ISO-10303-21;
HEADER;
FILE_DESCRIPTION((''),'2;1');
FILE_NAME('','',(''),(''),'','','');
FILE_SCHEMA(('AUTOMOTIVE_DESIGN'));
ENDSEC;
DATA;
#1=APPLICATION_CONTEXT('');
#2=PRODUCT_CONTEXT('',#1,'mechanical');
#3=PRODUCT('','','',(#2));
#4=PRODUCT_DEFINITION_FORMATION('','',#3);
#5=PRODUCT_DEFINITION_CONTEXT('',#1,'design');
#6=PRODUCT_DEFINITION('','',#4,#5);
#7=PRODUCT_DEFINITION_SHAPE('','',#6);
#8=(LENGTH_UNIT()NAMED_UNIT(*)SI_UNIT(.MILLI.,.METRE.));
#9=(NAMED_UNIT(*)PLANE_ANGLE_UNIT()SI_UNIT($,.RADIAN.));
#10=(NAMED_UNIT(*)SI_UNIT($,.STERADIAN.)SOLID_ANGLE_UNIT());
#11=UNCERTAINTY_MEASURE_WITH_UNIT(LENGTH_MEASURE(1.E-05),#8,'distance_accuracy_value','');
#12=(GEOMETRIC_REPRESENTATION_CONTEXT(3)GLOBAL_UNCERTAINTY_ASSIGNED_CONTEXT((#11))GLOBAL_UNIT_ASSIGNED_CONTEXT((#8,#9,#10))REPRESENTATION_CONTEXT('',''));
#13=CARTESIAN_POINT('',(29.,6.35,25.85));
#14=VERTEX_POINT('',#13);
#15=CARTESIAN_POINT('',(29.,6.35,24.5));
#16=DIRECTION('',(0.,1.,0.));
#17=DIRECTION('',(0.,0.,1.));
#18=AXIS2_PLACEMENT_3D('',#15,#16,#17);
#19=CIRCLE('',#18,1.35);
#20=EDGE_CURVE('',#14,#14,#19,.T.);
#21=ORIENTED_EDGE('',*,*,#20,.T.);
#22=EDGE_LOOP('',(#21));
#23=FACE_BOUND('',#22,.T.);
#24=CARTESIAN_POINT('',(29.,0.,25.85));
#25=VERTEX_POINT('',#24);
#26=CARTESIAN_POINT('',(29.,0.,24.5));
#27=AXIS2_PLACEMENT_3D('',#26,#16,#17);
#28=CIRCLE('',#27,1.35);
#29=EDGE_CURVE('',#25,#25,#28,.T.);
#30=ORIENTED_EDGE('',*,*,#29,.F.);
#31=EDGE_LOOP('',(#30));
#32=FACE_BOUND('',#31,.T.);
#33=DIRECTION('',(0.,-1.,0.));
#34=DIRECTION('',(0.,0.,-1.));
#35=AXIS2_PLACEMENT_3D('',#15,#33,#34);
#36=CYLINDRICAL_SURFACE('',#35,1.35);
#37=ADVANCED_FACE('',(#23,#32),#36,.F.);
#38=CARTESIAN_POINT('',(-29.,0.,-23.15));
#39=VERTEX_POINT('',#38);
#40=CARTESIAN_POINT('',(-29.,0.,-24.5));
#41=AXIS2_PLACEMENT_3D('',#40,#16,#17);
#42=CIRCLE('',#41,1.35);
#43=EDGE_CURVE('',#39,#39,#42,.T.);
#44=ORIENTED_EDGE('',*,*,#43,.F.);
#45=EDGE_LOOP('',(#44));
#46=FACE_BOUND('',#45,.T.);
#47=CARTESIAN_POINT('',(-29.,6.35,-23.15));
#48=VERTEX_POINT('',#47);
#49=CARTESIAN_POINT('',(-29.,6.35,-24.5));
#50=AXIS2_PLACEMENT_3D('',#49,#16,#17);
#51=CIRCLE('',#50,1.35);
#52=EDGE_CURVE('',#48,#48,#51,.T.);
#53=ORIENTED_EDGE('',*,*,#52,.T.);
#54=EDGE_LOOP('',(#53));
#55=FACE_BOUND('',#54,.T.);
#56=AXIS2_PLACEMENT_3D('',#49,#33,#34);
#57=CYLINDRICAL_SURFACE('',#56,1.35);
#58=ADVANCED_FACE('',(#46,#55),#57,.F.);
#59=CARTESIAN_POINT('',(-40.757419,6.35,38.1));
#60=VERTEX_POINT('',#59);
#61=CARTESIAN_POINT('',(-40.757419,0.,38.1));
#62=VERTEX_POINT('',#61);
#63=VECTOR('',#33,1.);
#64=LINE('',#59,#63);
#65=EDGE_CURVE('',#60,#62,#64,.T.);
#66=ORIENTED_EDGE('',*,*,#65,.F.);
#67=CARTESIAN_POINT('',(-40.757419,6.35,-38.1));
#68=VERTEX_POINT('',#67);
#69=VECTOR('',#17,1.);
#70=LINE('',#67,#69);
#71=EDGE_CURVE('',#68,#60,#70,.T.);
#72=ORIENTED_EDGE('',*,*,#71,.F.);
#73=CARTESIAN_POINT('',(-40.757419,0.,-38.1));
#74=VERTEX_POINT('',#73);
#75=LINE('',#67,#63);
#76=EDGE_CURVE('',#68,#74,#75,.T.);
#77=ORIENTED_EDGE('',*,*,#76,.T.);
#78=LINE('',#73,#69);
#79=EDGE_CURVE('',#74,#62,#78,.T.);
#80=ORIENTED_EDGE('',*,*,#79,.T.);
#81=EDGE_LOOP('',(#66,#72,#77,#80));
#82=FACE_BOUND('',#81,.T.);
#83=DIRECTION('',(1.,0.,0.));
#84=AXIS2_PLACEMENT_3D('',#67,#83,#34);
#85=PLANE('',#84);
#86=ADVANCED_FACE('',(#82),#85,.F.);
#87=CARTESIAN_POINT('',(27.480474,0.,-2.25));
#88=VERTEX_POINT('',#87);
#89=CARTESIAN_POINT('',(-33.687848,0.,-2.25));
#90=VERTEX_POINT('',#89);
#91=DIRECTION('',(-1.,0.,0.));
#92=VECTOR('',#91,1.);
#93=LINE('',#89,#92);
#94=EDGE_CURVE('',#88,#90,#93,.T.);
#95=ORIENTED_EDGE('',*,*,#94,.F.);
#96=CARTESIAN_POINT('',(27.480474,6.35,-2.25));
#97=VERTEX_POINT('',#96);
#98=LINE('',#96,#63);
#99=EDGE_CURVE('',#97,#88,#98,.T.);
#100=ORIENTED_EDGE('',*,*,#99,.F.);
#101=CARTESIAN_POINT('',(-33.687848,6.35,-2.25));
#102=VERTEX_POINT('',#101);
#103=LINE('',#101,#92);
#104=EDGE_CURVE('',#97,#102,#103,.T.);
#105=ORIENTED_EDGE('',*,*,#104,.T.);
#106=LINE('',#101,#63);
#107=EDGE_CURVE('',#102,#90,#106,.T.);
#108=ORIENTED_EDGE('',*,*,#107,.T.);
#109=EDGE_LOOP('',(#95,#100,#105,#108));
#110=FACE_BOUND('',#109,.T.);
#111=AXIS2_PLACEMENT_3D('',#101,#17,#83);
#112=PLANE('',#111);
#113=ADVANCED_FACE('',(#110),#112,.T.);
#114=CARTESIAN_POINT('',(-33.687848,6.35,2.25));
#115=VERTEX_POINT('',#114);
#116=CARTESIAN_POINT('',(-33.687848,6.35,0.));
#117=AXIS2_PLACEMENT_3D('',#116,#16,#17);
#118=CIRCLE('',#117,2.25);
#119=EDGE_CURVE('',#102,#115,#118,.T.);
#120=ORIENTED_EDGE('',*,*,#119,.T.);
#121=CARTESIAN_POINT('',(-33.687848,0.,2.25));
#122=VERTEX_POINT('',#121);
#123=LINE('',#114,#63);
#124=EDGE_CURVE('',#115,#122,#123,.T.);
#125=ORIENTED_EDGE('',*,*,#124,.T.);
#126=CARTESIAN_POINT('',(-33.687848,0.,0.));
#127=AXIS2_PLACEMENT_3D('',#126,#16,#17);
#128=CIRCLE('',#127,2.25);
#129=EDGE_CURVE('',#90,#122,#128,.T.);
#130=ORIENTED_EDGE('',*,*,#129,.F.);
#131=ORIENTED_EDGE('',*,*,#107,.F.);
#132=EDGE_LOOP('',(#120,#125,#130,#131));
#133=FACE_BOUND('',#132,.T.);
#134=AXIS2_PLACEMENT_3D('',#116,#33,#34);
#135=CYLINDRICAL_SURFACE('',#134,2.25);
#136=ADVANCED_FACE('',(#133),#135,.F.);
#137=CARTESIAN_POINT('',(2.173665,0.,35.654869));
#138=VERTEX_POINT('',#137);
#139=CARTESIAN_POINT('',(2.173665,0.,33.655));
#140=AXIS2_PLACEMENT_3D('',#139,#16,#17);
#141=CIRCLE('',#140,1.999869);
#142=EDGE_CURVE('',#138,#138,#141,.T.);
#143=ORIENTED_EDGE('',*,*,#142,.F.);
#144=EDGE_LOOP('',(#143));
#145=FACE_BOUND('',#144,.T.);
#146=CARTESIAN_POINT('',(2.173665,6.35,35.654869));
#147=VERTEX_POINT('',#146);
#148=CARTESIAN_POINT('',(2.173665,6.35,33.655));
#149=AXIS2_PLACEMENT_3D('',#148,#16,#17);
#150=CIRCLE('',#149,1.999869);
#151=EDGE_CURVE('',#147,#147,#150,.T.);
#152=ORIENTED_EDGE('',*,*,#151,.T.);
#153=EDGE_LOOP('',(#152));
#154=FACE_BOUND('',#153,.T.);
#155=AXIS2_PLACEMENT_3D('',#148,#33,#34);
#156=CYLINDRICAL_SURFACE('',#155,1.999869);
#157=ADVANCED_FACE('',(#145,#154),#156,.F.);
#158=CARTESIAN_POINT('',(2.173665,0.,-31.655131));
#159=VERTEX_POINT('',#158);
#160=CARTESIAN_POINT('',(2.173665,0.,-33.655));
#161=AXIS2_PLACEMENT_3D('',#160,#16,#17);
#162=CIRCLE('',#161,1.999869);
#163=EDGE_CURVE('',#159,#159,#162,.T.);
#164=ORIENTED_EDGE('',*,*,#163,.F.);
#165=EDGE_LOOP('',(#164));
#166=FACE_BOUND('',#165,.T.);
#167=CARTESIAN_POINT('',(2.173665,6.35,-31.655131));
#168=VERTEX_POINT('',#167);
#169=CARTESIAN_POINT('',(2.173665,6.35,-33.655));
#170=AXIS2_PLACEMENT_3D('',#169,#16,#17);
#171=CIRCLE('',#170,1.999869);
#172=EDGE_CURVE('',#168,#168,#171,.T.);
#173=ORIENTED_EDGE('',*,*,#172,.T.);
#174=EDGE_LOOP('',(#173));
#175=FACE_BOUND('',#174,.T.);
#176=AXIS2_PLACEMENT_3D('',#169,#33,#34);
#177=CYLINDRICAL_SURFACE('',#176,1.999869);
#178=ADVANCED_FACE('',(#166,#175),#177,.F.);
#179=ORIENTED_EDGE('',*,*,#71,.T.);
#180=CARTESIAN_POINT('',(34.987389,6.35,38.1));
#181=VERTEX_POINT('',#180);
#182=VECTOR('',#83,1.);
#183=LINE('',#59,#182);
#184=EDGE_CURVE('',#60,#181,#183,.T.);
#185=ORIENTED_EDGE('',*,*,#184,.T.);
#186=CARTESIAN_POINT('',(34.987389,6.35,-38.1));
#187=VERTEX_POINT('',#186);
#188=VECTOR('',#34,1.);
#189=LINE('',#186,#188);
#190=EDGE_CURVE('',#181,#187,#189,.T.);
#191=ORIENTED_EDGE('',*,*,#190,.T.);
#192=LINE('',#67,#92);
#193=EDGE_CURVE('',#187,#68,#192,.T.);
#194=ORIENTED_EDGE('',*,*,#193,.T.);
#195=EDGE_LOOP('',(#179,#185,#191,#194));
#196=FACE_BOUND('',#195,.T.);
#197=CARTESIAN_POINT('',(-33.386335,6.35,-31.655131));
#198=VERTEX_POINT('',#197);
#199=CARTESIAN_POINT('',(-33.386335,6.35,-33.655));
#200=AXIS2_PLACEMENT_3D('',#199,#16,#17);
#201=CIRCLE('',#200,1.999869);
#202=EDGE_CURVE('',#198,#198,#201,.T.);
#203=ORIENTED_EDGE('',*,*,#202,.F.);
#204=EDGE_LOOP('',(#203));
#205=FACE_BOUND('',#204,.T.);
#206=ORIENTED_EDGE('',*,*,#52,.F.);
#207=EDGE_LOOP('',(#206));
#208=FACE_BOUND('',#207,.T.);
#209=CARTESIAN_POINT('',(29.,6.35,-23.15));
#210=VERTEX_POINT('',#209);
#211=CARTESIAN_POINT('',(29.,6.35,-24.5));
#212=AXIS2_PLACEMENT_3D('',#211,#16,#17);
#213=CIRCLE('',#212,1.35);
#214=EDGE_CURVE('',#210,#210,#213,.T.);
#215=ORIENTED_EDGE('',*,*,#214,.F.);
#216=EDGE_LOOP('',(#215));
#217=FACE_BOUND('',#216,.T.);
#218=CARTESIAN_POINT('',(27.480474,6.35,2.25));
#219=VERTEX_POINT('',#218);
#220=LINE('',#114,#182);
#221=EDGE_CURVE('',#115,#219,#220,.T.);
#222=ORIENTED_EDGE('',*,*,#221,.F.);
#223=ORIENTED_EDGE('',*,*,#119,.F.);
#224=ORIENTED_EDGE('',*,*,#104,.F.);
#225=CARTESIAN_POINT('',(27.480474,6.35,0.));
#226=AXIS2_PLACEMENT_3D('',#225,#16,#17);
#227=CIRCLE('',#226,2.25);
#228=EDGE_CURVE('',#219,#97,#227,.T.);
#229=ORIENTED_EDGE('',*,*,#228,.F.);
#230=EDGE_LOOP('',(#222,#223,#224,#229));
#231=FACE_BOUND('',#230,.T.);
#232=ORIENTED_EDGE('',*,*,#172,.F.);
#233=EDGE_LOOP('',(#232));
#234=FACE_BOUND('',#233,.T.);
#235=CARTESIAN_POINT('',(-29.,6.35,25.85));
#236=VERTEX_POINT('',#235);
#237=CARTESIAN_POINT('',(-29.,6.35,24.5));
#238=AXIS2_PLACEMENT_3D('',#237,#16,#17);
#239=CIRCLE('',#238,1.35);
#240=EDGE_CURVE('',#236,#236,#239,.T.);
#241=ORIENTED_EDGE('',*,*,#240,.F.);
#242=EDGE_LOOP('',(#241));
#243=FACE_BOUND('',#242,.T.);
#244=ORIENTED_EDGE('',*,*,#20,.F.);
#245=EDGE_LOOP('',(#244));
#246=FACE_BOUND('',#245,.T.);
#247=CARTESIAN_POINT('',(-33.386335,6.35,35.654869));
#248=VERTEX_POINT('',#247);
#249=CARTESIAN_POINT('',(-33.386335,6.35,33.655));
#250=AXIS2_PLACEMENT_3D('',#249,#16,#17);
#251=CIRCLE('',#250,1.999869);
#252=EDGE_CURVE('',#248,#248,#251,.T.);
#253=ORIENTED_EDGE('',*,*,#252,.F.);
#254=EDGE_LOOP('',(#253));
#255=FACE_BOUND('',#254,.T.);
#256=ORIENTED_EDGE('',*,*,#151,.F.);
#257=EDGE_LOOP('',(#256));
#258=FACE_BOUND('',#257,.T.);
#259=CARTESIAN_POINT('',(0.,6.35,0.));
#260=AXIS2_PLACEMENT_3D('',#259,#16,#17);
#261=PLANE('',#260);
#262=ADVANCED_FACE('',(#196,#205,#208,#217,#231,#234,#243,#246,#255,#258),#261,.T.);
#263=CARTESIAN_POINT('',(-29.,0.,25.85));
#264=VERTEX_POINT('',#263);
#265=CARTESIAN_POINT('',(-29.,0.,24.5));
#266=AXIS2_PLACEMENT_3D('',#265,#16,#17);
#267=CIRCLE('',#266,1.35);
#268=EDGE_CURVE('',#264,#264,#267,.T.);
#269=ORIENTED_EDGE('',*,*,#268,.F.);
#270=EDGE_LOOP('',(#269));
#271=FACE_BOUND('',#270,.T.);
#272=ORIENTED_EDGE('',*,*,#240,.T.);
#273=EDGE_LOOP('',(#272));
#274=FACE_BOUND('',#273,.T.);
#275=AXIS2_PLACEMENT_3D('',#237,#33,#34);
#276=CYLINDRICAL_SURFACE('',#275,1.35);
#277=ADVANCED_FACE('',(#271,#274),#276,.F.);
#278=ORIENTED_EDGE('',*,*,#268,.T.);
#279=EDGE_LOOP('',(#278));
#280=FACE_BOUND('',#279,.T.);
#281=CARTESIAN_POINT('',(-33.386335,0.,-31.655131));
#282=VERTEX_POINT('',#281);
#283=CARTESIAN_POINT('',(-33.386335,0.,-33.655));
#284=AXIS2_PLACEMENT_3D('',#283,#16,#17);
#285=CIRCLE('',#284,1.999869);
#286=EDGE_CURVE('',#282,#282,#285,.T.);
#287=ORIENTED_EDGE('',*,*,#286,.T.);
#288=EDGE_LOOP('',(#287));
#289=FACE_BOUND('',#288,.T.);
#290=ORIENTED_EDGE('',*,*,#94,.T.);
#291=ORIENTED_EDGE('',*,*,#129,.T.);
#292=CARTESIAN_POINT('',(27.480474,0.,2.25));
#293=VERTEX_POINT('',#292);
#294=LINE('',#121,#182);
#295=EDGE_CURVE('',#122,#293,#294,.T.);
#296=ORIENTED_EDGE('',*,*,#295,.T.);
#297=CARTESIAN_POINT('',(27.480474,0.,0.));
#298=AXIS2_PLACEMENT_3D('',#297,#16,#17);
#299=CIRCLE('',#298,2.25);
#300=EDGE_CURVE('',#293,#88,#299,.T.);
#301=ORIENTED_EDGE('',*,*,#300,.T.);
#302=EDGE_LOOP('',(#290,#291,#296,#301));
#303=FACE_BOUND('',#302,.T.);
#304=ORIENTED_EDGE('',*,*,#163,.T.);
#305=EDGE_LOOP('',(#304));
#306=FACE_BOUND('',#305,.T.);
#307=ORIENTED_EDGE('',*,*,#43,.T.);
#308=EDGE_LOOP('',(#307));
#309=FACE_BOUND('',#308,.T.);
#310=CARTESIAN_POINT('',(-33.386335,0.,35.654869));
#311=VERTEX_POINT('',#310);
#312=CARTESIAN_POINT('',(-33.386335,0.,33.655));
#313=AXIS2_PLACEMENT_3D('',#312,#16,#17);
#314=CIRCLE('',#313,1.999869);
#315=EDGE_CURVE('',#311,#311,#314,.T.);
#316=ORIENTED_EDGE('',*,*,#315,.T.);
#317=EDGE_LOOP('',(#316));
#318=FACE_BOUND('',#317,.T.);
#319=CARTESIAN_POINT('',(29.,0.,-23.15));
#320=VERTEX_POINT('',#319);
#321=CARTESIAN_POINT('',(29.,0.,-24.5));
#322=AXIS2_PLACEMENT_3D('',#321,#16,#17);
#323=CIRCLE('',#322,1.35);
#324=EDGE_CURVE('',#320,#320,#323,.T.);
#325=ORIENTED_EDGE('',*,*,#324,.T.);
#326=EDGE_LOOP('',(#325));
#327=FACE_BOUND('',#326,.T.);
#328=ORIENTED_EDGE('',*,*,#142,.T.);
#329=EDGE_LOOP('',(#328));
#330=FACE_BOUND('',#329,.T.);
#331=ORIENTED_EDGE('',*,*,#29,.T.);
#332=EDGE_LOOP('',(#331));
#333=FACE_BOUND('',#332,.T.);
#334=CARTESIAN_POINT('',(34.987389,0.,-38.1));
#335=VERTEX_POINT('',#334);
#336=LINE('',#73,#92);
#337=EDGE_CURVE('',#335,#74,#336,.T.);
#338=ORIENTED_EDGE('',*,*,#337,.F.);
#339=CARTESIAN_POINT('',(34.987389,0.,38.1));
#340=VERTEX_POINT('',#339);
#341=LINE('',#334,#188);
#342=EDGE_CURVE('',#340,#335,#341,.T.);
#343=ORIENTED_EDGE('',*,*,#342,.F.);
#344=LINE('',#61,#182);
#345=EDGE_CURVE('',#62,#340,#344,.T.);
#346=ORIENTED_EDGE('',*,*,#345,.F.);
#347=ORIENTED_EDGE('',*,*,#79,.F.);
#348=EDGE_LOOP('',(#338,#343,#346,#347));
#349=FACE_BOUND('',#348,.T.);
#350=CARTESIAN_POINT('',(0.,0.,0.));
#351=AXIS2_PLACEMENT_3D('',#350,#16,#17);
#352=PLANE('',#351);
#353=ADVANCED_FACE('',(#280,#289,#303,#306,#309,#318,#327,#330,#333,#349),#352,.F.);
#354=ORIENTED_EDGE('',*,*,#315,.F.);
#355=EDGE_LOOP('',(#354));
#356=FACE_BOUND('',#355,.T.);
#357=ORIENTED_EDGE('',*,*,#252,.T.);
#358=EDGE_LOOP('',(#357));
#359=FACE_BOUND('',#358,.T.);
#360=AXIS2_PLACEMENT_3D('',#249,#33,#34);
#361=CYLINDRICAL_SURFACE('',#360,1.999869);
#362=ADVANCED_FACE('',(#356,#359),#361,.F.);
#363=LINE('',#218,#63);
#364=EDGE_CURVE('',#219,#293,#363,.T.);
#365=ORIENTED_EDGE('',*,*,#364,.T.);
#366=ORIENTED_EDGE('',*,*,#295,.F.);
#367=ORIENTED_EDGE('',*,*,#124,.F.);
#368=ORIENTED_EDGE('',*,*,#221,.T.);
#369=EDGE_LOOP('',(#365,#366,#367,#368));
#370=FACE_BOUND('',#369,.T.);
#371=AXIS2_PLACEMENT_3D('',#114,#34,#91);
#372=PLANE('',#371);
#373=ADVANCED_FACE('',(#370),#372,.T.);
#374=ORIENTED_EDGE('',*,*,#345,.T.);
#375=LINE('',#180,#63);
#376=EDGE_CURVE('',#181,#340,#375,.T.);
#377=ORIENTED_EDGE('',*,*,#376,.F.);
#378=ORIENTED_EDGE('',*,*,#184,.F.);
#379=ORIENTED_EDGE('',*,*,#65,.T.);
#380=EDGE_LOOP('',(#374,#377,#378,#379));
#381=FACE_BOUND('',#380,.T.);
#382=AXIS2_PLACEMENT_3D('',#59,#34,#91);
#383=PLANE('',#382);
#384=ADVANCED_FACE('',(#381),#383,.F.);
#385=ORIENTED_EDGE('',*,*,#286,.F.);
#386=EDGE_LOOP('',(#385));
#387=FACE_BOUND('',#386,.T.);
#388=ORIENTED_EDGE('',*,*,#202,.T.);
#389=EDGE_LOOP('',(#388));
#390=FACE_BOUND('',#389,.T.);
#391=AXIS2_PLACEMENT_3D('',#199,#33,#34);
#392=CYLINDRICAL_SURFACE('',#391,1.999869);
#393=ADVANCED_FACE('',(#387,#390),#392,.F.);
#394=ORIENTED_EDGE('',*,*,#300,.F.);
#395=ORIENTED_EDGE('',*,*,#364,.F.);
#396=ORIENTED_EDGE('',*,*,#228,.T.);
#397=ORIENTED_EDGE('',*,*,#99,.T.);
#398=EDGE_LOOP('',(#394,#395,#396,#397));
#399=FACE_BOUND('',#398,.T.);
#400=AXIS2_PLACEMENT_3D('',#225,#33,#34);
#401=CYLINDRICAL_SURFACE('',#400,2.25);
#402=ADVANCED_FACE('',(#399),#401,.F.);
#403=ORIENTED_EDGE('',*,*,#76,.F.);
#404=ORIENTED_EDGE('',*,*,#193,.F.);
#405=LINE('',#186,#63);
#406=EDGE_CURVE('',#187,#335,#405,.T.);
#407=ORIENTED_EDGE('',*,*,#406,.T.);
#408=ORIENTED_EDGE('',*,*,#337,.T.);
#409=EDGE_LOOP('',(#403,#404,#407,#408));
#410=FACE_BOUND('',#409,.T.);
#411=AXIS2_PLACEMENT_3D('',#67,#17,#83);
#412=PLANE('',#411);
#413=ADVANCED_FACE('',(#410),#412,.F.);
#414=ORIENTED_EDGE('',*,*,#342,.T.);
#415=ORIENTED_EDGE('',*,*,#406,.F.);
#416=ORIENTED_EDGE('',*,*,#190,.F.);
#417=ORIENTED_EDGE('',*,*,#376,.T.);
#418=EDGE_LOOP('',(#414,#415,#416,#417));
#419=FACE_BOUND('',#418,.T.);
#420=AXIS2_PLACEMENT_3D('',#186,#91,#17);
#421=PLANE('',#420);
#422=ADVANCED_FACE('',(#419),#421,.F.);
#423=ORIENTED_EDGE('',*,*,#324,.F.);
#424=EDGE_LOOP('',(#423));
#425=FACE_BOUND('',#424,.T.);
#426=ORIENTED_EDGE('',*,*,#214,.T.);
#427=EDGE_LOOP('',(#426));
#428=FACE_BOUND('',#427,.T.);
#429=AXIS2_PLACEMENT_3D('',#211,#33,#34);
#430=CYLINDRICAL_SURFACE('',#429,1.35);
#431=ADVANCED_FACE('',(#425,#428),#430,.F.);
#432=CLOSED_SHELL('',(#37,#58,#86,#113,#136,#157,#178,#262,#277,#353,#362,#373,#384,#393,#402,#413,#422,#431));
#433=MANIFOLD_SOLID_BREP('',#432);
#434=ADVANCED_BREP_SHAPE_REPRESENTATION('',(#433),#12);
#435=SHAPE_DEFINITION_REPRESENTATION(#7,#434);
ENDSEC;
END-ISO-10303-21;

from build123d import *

# Parameters (mm, degrees)
SKETCH1_W           = 75.74480754
SKETCH1_H           = 76.2
SKETCH1_R           = 1.35
SKETCH1_R_2         = 1.999869
BOSS_EXTRUDE1_DEPTH = 6.35


with BuildPart() as part:
    # Sketch1 → Boss-Extrude1 (new body)
    with BuildSketch(Plane(origin=(0, 0, 0), x_dir=(1, 0, 0), z_dir=(0, 1, 0))):
        with Locations((-2.885014868, 0)):
            Rectangle(SKETCH1_W, SKETCH1_H)
        with Locations((-29, -24.5)):
            Circle(SKETCH1_R, mode=Mode.SUBTRACT)
        with Locations((29, -24.5)):
            Circle(SKETCH1_R, mode=Mode.SUBTRACT)
        with Locations((-29, 24.5)):
            Circle(SKETCH1_R, mode=Mode.SUBTRACT)
        with Locations((29, 24.5)):
            Circle(SKETCH1_R, mode=Mode.SUBTRACT)
        with Locations((-33.386335012, 33.655)):
            Circle(SKETCH1_R_2, mode=Mode.SUBTRACT)
        with Locations((-33.386335012, -33.655)):
            Circle(SKETCH1_R_2, mode=Mode.SUBTRACT)
        with Locations((2.173664988, 33.655)):
            Circle(SKETCH1_R_2, mode=Mode.SUBTRACT)
        with Locations((2.173664988, -33.655)):
            Circle(SKETCH1_R_2, mode=Mode.SUBTRACT)
        with BuildLine():
            Line((-33.68784786, 2.25), (27.48047437, 2.25))
            ThreePointArc((27.48047437, 2.25), (29.73047437, 0), (27.48047437, -2.25))
            Line((27.48047437, -2.25), (-33.68784786, -2.25))
            ThreePointArc((-33.68784786, -2.25), (-35.93784786, 0), (-33.68784786, 2.25))
        make_face(mode=Mode.SUBTRACT)
    extrude(amount=BOSS_EXTRUDE1_DEPTH)


solid = part.part
